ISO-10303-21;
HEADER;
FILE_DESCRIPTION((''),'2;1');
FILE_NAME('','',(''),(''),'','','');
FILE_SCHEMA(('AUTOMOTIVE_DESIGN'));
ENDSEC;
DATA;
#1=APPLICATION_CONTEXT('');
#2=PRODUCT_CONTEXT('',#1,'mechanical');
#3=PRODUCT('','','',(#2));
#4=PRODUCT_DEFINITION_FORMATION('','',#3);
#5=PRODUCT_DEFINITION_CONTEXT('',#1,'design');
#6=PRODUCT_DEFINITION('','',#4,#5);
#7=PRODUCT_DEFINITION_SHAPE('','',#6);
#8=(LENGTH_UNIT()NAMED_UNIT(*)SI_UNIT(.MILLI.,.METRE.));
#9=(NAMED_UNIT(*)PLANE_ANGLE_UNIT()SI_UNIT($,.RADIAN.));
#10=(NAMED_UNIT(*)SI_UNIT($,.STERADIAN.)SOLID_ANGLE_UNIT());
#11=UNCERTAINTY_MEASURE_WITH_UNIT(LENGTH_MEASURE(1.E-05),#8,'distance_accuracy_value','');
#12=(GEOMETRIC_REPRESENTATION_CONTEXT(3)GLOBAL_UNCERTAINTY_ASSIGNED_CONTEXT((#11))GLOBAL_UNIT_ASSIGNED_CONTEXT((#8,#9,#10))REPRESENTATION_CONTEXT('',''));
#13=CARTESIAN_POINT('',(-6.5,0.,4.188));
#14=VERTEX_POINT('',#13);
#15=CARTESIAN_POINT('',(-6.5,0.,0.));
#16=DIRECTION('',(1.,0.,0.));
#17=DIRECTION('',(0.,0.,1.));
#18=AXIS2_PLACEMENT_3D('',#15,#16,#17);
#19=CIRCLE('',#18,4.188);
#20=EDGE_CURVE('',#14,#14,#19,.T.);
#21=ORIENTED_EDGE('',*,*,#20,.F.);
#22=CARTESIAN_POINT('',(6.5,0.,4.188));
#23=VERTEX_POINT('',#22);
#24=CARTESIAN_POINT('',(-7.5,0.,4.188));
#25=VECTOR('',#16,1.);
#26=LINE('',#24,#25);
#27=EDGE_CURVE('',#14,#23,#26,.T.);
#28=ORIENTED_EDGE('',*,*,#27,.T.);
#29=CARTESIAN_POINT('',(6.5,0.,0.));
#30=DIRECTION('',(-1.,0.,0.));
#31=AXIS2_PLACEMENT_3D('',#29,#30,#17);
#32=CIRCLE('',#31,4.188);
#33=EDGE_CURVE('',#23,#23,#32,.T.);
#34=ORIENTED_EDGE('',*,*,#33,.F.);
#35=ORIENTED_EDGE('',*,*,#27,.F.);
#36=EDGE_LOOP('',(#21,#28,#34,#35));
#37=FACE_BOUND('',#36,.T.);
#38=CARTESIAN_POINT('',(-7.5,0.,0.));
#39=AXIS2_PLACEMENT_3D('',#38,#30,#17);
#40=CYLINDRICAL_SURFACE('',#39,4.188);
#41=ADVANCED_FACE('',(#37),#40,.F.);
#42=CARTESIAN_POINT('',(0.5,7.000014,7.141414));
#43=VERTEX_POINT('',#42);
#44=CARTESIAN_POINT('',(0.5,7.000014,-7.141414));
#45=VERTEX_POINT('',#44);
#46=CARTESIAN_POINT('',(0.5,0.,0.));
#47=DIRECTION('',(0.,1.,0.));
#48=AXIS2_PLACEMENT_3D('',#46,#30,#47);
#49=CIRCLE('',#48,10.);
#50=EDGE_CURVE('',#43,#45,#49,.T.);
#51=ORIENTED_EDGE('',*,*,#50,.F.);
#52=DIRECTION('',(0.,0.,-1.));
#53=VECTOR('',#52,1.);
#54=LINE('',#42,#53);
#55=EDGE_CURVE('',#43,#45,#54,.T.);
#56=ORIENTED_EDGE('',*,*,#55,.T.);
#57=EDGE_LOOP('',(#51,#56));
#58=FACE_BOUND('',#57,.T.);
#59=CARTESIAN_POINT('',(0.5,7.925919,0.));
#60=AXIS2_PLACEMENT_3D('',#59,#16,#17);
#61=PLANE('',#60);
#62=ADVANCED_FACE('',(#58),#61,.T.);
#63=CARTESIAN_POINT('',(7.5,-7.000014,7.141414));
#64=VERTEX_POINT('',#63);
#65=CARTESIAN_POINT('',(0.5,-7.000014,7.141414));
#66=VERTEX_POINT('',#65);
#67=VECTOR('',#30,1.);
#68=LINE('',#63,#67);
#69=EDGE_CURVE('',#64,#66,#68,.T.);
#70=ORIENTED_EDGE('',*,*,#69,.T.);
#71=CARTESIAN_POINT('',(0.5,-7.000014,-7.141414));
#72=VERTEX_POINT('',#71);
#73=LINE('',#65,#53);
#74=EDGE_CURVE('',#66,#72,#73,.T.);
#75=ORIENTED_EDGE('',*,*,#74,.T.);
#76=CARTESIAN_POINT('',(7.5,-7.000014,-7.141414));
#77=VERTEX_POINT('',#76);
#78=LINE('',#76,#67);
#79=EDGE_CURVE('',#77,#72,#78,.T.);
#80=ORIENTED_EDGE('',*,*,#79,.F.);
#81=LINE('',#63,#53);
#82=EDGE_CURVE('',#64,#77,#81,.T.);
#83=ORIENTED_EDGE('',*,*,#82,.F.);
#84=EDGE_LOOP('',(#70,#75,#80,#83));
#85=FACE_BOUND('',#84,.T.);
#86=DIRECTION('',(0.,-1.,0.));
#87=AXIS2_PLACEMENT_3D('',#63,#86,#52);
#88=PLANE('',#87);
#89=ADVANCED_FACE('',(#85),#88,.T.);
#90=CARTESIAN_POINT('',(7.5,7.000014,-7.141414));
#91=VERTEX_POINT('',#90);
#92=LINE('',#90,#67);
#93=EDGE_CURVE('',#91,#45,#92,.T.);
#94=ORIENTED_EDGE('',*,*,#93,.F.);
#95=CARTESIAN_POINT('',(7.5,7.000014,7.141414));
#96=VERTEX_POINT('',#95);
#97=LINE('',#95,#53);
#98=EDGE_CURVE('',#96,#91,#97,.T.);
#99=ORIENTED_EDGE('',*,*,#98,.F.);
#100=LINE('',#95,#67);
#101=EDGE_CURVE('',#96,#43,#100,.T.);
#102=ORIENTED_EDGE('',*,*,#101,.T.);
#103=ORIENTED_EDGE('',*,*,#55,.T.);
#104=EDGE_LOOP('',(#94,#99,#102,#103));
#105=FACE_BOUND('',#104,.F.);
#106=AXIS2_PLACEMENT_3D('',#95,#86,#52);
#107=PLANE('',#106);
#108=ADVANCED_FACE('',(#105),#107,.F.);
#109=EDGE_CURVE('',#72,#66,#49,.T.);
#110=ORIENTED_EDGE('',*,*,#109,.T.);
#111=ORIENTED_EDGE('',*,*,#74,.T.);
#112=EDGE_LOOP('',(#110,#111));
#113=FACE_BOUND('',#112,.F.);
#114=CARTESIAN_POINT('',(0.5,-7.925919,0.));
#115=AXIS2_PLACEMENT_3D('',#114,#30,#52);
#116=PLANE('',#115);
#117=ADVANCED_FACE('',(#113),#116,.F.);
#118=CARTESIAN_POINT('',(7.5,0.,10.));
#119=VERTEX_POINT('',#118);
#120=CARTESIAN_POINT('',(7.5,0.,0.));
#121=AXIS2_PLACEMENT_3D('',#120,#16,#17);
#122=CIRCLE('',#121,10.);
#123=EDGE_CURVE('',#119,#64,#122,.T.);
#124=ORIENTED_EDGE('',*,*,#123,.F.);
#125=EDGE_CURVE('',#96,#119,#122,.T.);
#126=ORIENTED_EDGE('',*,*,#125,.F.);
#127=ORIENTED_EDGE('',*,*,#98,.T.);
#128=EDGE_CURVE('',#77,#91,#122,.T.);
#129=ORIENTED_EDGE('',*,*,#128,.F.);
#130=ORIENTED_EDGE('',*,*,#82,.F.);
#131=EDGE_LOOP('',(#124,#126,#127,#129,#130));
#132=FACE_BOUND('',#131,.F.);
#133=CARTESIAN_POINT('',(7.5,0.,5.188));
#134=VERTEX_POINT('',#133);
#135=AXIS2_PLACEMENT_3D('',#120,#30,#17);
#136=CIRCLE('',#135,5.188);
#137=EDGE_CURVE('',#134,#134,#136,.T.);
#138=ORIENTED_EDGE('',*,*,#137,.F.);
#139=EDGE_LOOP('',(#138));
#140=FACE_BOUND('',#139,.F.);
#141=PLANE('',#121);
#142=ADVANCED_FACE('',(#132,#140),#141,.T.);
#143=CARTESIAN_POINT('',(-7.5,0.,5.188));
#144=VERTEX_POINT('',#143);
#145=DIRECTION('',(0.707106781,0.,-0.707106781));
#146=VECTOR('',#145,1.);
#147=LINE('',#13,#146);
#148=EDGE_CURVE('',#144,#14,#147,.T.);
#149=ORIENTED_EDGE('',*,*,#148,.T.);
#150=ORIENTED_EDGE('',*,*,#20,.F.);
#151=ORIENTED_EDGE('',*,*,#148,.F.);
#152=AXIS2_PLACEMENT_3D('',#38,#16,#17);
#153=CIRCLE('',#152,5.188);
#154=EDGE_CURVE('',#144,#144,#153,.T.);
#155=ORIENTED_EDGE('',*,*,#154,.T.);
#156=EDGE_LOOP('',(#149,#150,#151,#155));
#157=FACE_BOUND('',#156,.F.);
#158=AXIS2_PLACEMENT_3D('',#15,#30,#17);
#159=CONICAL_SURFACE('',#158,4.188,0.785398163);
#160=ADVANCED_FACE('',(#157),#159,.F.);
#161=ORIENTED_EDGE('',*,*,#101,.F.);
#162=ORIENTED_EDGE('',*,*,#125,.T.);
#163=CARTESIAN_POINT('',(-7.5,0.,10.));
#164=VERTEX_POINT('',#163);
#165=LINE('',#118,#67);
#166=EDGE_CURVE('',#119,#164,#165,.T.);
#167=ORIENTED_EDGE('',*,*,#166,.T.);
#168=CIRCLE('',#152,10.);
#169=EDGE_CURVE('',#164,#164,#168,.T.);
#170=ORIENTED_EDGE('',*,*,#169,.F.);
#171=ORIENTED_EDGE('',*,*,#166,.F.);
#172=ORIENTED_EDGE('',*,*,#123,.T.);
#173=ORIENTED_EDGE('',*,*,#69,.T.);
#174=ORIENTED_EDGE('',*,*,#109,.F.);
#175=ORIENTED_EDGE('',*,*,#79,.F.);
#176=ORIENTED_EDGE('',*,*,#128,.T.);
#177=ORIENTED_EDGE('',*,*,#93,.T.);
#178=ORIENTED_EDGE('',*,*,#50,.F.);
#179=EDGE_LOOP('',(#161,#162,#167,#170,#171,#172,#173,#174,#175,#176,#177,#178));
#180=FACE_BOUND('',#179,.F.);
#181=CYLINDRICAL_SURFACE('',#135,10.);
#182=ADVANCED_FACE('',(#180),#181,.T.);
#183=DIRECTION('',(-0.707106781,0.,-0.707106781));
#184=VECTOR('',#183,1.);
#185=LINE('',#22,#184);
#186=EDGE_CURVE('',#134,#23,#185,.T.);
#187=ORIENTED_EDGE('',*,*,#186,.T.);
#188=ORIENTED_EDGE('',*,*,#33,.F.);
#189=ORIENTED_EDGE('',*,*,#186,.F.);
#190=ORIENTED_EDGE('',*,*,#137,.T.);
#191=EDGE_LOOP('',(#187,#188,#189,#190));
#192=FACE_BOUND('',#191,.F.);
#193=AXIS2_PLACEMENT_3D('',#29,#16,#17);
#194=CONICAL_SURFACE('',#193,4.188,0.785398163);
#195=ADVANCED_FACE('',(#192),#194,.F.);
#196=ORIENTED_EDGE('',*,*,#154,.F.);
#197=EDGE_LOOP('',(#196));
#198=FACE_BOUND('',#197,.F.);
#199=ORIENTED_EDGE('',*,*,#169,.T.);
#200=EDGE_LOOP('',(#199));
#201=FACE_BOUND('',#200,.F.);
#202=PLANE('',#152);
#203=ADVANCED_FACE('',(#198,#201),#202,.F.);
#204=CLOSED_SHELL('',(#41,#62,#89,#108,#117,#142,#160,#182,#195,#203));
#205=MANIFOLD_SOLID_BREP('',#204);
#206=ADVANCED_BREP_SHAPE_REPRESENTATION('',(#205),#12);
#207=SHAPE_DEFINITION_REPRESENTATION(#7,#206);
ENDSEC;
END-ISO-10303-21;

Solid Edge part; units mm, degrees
sketch "Sketch1" plane through (0, 0, 0) normal (0, -1, 0) x (1, 0, 0)
  line L0 (7.5, 0) -> (7.5, 10)
  line L1 (7.5, 10) -> (-7.5, 10)
  line L2 (-7.5, 10) -> (-7.5, 0)
  line L3 (-7.5, 0) -> (7.5, 0)
revolve "RevolvedProtrusion1" add sketch "Sketch1" angle 360 about axis through (-15, 0, 0) along (1, 0, 0)
sketch "Sketch2" plane through (7.5, 0, 0) normal (1, 0, 0) x (0, 1, 0)
  line L0 (-7, 7.1414) -> (-7, -7.1414)
  arc A0 (-7, -7.1414) -> (-7, 7.1414) centre (0, 0) cw
  line L1 (7, 7.1414) -> (7, -7.1414)
  arc A1 (7, 7.1414) -> (7, -7.1414) centre (0, 0) cw
extrude "VaciadoExtruido_1" cut sketch "Sketch2" against normal blind 7
hole "Agujero_1" at (-7.5, 0, 0) direction (1, 0, 0) diameter 8.376 end up to next start chamfer 1 start chamfer angle 45 end chamfer 1 end chamfer angle 45
